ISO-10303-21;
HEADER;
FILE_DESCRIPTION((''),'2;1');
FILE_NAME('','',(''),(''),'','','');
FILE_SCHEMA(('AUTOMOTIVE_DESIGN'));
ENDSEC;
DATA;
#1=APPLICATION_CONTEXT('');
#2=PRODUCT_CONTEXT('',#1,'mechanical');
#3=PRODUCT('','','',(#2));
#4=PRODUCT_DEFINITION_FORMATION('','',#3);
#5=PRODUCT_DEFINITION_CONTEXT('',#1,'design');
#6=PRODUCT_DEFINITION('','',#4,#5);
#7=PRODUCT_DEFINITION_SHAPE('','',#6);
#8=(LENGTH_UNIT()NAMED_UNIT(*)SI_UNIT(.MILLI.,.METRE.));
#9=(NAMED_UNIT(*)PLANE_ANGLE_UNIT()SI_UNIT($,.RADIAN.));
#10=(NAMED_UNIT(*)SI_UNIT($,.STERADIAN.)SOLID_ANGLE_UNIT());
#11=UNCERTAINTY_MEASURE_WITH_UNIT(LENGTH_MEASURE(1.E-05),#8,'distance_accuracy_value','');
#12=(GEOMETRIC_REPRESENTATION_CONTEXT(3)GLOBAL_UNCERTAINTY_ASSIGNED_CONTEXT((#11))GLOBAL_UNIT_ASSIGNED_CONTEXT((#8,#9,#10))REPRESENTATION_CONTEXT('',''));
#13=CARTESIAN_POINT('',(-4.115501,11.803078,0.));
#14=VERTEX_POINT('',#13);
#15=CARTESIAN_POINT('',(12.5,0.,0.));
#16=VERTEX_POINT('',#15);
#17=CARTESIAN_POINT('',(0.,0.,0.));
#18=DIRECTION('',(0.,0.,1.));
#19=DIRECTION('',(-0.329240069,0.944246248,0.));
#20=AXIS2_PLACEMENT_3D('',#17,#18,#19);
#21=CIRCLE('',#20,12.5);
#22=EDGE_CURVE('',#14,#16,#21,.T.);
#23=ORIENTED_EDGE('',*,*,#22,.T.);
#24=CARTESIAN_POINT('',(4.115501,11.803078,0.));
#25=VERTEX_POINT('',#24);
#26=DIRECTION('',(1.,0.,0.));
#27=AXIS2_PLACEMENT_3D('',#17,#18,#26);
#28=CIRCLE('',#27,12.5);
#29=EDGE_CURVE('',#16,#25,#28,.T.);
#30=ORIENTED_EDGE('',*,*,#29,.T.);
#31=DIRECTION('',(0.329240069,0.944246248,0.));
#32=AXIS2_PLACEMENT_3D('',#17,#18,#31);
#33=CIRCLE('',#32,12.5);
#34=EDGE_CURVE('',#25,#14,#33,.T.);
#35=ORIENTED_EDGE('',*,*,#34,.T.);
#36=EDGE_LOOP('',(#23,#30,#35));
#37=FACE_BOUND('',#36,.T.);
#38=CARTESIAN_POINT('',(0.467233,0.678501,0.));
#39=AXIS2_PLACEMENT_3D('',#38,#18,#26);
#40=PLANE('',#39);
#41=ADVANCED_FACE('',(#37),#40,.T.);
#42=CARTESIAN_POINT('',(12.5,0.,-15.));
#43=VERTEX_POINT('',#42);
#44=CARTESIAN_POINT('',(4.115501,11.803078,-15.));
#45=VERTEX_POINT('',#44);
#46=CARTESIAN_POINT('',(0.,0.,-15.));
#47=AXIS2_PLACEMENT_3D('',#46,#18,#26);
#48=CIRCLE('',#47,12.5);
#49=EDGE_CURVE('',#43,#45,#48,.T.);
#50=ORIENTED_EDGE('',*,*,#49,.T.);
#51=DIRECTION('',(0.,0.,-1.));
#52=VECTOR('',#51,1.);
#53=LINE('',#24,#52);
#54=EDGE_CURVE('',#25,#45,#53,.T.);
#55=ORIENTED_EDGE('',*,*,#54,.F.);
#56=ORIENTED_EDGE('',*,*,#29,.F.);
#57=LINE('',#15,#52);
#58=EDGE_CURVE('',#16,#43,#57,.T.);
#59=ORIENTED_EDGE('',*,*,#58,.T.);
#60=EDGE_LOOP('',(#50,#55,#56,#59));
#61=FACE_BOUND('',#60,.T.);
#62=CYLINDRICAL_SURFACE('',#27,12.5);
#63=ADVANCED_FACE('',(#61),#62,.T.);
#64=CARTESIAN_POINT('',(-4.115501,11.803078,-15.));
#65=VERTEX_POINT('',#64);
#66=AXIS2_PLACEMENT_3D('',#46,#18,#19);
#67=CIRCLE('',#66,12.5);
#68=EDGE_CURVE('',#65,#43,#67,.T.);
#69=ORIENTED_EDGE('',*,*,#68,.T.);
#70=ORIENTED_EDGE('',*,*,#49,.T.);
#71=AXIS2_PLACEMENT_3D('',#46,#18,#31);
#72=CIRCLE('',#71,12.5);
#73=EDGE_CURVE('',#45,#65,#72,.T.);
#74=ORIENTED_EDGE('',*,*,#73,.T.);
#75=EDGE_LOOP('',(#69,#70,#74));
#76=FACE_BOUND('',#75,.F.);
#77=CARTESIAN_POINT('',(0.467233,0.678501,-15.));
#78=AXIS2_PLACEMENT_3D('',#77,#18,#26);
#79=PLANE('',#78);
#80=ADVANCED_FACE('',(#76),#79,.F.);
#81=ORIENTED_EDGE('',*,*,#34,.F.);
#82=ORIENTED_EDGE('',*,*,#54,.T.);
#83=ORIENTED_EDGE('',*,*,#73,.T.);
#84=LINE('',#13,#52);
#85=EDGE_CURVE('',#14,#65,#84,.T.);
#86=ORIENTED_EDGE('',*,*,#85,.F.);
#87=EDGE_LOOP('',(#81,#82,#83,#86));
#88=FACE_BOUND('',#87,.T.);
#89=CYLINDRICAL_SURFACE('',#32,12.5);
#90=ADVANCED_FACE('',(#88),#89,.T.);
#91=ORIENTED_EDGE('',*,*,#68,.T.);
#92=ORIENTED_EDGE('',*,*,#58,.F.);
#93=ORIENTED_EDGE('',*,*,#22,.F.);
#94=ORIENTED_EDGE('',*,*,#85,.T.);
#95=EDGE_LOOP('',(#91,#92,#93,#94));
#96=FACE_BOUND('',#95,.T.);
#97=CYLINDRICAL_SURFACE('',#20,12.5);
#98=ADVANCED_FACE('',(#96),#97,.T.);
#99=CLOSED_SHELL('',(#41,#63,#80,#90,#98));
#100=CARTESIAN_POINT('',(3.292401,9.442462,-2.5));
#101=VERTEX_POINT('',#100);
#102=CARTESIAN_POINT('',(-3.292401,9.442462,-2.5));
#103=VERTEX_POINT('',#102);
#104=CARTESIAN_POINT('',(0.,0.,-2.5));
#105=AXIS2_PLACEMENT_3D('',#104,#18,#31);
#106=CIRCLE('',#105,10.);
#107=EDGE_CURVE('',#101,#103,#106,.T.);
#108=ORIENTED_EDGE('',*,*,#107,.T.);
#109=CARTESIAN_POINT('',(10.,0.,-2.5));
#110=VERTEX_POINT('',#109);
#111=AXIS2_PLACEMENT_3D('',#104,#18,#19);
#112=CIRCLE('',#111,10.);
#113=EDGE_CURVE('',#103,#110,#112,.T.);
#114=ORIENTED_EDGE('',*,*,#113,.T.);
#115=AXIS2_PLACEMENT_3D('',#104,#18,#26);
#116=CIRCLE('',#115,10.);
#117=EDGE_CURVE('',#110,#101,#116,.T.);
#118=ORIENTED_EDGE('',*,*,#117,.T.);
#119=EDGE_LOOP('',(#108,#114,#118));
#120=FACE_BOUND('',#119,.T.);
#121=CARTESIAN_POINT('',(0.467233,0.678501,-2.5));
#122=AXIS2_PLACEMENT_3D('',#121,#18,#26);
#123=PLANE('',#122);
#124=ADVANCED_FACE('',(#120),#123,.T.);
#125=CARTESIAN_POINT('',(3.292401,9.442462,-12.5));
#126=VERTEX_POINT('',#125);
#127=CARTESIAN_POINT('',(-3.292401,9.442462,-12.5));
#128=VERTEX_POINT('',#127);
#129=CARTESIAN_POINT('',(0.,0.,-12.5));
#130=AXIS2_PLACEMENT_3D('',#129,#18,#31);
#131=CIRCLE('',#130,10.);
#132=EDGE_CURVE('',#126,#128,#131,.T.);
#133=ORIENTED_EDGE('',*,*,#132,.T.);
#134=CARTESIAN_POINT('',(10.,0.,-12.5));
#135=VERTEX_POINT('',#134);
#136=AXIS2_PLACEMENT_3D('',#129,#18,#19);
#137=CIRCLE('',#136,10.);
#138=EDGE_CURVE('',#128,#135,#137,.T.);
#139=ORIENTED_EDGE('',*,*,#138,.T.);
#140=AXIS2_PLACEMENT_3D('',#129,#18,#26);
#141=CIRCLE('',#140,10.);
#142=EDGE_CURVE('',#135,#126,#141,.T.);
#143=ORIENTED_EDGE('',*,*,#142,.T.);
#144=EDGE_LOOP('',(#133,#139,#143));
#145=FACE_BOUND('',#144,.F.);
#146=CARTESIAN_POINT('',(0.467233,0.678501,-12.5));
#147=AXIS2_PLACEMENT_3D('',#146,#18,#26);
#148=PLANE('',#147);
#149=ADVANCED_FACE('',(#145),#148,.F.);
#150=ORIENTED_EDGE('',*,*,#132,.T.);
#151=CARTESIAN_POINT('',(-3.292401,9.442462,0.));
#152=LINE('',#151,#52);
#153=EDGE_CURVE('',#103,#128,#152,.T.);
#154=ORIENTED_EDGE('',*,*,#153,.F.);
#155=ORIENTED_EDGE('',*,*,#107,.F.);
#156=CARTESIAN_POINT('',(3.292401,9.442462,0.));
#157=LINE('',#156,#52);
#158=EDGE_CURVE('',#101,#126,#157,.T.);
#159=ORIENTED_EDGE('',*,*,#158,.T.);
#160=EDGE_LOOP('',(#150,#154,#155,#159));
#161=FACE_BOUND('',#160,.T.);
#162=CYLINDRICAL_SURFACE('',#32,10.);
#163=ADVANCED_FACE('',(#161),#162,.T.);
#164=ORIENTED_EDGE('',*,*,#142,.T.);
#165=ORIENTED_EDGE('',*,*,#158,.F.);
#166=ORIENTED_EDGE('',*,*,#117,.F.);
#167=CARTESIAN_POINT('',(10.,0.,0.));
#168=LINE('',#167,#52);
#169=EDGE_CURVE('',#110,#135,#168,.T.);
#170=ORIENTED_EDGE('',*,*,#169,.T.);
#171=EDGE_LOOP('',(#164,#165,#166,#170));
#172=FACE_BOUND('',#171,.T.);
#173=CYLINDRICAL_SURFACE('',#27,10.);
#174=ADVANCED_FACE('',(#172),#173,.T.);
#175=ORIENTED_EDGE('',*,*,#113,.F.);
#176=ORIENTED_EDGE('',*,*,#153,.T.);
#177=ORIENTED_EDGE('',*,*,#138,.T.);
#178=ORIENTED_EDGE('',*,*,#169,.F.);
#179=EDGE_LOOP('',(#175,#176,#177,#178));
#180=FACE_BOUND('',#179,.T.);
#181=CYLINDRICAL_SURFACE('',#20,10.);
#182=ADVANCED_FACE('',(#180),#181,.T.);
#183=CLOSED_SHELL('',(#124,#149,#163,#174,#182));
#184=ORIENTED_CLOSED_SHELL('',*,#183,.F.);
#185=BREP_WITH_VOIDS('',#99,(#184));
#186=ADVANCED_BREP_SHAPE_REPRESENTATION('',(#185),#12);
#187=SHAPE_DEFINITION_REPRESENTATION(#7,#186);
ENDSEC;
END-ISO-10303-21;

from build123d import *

# Parameters (mm, degrees)
F1_DEPTH = 15
F2_T     = -2.5


with BuildPart() as f1:
    # F0 (on Top) → F1 (new body)
    with BuildSketch(Plane.XY):
        with BuildLine():
            ThreePointArc((-4.1155008573, 11.8030781025), (-7.2389999062, -10.1905289538), (12.5, 0))
            ThreePointArc((12.5, 0), (10.1905289538, 7.2389999062), (4.1155008573, 11.8030781025))
            ThreePointArc((4.1155008573, 11.8030781025), (0, 12.5), (-4.1155008573, 11.8030781025))
        make_face()
    extrude(amount=-F1_DEPTH)

    # F2 (hollow: no face is removed)
    offset(amount=F2_T, mode=Mode.SUBTRACT)


solid = f1.part
